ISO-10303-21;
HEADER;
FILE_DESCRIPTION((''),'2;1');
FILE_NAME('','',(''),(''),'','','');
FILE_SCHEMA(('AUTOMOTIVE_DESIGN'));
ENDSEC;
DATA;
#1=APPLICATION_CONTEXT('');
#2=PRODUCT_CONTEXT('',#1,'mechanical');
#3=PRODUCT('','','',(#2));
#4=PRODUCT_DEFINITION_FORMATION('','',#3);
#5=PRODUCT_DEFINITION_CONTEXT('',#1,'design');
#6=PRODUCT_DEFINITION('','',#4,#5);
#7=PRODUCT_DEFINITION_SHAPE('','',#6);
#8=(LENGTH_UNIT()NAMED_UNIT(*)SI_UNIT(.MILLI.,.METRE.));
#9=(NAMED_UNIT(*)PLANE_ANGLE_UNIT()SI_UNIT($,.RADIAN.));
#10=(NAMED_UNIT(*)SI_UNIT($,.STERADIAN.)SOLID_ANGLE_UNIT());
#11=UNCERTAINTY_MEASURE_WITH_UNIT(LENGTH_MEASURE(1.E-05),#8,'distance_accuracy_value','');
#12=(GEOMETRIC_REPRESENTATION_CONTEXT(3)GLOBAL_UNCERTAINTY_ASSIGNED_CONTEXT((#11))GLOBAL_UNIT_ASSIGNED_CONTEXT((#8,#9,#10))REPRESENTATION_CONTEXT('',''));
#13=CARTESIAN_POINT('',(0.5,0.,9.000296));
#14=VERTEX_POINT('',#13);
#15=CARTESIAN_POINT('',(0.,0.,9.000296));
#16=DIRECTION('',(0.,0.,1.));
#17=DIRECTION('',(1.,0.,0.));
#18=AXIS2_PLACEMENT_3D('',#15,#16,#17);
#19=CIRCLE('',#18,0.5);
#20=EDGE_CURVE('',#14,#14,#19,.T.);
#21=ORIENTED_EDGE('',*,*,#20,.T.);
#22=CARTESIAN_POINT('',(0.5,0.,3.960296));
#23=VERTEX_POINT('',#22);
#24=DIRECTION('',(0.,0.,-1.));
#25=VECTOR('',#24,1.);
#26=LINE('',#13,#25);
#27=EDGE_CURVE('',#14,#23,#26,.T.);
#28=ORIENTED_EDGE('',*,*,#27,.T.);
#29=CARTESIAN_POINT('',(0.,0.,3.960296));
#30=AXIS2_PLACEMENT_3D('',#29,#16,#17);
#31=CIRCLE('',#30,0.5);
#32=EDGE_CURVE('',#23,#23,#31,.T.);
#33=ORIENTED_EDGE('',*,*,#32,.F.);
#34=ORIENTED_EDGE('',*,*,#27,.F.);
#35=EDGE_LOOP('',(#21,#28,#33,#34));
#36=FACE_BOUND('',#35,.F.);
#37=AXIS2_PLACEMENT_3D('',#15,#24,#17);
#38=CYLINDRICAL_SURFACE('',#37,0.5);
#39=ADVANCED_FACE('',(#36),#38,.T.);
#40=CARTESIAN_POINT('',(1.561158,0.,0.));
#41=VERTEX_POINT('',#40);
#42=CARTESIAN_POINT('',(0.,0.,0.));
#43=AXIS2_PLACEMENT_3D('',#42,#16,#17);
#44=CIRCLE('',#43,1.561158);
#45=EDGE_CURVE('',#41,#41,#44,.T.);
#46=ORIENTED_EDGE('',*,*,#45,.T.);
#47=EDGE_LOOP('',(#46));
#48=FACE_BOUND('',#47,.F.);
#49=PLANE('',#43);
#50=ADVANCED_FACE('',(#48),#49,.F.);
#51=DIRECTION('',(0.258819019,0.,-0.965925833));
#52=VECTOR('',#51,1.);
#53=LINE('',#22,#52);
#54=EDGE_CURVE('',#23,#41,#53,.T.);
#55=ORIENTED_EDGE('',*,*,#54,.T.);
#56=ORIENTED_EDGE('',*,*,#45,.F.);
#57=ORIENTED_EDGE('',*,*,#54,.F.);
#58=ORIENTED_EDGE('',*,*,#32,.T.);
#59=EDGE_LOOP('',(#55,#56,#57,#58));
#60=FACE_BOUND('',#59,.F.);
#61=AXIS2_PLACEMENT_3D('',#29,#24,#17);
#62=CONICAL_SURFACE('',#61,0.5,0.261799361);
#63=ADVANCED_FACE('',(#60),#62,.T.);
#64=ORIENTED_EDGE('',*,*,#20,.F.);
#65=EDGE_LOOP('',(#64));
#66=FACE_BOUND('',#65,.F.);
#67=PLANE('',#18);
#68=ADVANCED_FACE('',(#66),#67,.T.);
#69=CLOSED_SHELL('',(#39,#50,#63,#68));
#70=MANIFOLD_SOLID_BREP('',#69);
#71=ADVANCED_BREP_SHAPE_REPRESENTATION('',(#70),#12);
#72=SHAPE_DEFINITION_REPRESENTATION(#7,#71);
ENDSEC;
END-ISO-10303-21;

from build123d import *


with BuildPart() as part:
    # Sketch → Revolution (revolve)
    with BuildSketch(Plane.XZ):
        Polygon((0.5, 3.960296), (1.561158, 0), (0, 0), (0, 9.000296), (0.5, 9.000296), align=None)
    revolve(axis=Axis((0, 0, 0), (0, 0, 1)))


solid = part.part
